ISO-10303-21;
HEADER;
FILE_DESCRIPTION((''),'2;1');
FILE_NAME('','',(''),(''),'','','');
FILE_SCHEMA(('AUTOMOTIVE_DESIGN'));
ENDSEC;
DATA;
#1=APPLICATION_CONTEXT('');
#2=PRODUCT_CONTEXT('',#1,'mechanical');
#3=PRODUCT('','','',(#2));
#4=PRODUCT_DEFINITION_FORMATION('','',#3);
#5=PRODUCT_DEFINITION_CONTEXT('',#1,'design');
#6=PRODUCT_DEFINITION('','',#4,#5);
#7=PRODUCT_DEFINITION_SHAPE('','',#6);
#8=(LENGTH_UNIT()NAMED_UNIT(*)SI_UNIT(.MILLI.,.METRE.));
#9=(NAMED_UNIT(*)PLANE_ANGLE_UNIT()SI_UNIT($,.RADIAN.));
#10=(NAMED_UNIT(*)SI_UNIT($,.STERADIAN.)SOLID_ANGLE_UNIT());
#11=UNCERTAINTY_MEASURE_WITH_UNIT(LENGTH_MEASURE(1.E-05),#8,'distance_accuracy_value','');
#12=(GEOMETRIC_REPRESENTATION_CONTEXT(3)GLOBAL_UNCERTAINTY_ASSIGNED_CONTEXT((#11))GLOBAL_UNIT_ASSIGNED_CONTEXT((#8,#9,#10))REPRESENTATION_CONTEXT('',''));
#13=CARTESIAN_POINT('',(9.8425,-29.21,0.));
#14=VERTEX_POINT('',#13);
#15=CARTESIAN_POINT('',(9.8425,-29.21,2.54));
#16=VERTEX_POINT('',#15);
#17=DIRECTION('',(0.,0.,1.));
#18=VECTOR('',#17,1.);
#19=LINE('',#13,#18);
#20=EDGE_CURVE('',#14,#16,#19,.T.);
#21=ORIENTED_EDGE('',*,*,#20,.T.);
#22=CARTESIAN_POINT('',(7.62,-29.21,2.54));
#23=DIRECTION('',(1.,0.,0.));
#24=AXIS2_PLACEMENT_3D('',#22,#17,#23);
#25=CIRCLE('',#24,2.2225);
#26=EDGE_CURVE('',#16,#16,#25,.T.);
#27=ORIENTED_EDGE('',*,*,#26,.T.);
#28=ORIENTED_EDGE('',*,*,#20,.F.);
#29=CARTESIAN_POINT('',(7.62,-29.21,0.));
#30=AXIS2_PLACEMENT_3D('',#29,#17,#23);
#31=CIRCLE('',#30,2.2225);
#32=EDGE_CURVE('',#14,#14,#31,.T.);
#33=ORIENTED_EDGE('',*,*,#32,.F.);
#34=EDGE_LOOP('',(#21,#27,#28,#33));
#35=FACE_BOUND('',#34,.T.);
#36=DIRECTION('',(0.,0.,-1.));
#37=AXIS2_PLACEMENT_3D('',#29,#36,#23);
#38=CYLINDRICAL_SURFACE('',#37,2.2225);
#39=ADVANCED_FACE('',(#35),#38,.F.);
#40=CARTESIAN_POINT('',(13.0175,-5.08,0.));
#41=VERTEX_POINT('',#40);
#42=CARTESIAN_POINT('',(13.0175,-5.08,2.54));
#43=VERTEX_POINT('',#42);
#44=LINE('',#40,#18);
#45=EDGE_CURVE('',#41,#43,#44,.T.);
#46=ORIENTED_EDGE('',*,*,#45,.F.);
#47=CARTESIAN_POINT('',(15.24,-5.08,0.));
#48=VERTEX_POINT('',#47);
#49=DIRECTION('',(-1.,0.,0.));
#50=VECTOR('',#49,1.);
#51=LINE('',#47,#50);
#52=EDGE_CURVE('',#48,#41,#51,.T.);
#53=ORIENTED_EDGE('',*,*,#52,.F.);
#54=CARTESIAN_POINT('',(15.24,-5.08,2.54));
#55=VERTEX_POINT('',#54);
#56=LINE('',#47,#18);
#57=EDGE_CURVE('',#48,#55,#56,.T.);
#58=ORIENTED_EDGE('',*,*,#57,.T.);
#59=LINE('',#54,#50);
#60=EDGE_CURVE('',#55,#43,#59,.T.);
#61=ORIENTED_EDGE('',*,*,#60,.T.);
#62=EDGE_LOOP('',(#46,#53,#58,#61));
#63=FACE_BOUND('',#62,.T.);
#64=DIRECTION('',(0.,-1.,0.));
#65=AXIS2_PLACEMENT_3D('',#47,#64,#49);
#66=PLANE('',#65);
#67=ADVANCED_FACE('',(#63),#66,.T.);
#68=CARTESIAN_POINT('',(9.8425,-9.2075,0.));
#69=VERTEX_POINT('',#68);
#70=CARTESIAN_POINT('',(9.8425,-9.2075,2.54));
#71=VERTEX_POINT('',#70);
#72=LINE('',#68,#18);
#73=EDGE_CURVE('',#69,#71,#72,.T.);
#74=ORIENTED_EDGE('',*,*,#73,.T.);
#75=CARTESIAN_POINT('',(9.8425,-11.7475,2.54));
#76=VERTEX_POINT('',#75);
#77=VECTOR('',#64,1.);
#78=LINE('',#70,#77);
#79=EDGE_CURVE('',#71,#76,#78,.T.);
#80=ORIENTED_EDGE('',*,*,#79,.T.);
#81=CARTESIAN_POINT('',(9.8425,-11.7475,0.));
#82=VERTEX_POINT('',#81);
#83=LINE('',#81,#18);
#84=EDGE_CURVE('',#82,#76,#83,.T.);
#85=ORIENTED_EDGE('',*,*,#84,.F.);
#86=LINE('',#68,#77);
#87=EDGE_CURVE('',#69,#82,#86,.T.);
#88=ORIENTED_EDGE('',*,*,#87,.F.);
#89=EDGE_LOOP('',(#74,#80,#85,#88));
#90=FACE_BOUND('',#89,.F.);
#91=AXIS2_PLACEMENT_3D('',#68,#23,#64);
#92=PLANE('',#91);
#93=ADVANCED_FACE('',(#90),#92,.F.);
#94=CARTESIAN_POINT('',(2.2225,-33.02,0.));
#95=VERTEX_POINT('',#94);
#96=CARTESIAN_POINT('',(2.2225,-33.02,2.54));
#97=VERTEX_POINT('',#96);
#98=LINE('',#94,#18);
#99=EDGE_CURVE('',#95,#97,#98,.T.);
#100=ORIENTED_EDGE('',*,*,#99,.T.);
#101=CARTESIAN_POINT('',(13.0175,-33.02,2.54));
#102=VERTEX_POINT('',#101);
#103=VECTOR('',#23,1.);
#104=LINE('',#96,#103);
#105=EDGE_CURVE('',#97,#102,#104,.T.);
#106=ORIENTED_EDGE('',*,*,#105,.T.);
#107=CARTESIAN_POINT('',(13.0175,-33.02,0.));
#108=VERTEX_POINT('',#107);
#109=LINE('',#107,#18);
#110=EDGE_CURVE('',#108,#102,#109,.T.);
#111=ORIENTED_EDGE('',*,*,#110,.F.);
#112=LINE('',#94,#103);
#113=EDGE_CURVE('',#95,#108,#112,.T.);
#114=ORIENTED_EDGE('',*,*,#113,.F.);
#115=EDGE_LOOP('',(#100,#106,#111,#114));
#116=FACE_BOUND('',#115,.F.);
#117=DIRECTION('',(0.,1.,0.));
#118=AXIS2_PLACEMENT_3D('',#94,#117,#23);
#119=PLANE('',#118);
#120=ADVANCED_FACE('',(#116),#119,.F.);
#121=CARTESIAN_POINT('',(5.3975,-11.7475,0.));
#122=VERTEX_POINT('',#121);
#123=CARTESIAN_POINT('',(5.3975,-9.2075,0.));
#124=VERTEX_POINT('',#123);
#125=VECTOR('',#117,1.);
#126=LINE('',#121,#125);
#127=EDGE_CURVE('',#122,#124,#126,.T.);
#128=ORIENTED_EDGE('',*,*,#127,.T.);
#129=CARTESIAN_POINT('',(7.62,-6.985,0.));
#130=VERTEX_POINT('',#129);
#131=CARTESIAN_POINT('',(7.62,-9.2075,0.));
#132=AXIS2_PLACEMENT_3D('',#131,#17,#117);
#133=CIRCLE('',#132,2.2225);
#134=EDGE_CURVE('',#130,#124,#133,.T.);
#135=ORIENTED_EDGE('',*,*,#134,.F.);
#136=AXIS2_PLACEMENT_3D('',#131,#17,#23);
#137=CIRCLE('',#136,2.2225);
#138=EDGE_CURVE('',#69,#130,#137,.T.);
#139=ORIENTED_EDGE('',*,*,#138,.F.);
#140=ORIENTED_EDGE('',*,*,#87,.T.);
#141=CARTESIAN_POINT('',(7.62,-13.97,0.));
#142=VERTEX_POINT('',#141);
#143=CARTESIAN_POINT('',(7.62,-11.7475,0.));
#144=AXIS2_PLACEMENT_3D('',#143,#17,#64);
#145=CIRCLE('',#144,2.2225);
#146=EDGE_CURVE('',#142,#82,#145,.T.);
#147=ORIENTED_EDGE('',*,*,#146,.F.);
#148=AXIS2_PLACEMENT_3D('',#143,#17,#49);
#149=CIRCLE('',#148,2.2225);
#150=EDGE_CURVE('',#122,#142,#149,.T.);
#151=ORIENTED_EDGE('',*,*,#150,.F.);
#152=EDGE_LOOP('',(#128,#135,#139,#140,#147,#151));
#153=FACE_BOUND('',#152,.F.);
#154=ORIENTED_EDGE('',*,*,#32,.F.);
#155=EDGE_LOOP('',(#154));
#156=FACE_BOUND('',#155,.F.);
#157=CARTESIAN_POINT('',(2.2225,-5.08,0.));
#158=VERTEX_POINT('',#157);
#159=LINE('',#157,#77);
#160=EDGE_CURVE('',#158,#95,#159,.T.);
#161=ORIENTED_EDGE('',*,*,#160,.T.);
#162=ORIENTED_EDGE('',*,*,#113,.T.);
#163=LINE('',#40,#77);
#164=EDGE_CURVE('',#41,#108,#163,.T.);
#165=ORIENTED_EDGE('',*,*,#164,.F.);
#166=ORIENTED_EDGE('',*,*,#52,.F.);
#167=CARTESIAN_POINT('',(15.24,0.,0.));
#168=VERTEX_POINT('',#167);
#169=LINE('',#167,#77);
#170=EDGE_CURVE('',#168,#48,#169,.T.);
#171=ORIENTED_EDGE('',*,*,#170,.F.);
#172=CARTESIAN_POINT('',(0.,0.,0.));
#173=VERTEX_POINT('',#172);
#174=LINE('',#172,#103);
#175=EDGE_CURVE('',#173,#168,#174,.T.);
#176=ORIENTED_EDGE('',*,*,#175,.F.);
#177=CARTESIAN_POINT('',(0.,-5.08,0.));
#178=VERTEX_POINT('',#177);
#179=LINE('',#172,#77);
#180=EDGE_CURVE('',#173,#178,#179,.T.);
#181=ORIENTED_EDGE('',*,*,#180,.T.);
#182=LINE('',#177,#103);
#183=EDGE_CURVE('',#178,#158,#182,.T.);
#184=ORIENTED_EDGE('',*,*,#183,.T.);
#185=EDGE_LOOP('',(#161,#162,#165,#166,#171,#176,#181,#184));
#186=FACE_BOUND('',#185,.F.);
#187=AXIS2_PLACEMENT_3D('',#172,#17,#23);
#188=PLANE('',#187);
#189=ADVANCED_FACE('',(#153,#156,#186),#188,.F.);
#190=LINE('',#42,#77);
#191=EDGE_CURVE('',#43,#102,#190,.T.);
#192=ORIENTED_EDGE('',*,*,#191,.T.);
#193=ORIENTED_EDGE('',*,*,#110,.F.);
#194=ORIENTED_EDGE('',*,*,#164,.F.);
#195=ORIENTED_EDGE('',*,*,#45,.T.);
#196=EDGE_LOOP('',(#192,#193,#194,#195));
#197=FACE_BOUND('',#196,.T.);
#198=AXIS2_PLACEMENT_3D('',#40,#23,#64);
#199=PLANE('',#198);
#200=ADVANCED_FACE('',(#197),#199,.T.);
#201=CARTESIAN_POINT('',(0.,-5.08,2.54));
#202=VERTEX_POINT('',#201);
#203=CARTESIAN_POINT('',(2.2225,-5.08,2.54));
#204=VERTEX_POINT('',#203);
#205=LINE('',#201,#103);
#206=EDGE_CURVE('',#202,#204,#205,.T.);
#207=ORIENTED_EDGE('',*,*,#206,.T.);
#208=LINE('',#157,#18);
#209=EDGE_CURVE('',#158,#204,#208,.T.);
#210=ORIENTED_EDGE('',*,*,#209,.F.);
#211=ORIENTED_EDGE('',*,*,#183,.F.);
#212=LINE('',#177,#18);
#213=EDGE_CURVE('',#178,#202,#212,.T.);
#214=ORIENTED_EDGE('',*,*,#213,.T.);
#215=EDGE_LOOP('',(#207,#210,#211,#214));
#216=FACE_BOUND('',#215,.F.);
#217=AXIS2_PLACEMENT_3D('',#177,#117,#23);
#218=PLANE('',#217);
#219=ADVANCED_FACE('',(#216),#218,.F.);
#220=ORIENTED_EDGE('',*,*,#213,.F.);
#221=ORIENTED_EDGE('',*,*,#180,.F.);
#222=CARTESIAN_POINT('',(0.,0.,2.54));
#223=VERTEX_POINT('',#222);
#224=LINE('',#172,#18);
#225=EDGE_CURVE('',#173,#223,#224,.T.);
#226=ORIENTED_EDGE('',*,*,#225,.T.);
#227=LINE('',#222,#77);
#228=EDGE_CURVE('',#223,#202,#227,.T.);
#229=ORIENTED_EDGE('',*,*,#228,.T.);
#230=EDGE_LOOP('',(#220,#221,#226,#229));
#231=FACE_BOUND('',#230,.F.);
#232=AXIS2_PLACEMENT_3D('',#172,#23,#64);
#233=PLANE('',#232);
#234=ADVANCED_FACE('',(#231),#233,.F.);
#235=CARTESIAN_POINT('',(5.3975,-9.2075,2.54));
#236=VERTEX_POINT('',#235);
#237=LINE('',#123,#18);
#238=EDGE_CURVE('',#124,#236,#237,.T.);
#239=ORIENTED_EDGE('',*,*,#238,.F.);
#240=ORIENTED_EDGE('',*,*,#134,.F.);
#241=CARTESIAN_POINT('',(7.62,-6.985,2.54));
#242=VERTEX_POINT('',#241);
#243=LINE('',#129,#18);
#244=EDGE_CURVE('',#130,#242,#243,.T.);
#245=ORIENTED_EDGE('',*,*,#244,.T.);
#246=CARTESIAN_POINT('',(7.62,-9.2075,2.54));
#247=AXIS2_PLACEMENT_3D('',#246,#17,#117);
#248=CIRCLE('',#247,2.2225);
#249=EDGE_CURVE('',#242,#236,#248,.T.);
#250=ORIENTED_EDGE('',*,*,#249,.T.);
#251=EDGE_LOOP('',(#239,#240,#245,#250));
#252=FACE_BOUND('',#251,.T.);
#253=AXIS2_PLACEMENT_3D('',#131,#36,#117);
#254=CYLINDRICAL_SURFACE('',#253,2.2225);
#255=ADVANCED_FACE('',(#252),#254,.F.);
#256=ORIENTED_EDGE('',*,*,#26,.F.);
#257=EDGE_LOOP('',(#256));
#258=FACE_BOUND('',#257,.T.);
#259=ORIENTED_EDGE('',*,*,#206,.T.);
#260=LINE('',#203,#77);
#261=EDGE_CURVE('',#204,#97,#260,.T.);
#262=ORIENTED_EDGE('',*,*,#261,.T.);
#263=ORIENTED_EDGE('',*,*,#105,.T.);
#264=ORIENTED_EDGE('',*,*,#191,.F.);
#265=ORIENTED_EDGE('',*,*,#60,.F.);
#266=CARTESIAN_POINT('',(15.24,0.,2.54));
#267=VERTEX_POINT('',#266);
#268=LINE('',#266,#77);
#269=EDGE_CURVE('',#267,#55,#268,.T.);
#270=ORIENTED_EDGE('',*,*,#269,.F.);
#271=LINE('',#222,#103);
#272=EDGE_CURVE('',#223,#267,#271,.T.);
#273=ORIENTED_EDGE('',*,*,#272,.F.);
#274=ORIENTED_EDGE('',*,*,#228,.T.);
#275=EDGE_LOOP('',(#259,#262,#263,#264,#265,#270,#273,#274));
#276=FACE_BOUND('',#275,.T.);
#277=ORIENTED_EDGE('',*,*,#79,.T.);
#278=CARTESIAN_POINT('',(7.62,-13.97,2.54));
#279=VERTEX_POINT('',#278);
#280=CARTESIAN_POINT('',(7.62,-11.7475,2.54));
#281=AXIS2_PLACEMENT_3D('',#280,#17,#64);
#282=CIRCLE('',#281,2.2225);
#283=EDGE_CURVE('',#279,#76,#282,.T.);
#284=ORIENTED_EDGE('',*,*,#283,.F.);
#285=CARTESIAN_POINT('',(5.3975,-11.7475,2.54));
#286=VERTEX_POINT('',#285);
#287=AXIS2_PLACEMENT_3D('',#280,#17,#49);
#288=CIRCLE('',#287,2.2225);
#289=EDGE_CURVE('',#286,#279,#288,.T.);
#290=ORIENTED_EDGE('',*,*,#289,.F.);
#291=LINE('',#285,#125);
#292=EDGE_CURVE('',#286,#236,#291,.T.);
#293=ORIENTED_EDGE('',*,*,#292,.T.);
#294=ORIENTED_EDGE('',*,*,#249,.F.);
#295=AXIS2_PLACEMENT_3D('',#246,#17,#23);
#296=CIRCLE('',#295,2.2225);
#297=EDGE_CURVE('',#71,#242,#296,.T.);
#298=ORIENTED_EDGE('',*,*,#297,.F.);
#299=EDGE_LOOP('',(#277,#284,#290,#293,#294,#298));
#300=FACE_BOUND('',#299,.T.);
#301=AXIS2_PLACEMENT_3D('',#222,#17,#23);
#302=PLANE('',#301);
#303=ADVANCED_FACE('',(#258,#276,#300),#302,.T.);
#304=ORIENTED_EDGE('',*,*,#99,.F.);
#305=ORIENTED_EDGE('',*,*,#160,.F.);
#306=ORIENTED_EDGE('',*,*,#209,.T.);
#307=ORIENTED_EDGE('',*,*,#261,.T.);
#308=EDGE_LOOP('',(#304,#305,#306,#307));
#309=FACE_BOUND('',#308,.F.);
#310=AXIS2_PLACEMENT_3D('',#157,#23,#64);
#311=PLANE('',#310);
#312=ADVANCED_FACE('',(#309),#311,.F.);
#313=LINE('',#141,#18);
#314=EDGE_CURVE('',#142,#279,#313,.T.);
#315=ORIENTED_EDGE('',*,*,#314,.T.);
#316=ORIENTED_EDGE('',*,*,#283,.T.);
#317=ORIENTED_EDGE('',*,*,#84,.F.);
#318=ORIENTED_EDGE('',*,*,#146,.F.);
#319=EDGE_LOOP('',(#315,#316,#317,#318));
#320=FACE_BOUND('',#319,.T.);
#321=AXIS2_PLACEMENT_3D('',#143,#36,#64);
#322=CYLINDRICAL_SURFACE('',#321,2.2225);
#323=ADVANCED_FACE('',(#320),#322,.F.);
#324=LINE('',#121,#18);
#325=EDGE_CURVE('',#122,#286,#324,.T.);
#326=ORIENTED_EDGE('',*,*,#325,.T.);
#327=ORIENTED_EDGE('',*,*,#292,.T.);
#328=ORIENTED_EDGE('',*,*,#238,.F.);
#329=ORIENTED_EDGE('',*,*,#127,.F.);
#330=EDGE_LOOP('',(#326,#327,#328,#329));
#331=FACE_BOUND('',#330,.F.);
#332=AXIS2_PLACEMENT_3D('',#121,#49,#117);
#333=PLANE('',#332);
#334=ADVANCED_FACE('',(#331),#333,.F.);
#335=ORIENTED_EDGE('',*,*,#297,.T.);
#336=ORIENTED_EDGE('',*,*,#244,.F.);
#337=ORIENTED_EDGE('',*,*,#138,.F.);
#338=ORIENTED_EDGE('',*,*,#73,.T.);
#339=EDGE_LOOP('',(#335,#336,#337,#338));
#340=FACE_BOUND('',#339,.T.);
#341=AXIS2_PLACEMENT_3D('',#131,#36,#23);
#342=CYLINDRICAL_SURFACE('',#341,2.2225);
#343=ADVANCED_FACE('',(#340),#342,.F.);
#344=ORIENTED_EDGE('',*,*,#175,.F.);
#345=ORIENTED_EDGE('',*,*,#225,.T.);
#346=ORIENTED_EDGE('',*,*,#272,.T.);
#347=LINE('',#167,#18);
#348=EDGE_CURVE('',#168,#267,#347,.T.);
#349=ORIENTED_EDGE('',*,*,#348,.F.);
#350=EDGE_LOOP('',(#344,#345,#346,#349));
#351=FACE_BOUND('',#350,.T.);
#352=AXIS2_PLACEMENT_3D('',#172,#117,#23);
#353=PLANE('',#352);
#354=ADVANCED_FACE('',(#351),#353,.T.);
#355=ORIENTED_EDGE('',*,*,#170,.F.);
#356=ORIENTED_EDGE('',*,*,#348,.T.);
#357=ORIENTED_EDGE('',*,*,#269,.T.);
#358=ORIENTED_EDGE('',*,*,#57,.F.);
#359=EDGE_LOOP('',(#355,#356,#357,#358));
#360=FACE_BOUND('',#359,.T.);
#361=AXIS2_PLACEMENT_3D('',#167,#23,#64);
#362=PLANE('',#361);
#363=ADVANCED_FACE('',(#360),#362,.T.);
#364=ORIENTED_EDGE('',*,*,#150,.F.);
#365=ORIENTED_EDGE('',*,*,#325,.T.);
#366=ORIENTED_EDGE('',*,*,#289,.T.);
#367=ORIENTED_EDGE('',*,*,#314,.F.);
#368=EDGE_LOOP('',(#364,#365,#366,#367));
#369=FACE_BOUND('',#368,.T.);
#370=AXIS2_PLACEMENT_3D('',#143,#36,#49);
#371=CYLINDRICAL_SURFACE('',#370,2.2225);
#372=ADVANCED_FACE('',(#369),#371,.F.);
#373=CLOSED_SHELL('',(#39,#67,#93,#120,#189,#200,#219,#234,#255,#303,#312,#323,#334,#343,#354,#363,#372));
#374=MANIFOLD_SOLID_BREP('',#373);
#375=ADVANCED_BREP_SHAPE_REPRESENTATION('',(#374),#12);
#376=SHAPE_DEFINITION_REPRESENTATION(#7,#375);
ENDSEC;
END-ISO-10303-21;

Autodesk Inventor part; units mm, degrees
ref_plane "YZ Plane" through (0, 0, 0) normal (1, 0, 0) x (0, 1, 0)
ref_plane "XZ Plane" through (0, 0, 0) normal (0, 1, 0) x (-1, 0, 0)
ref_plane "XY Plane" through (0, 0, 0) normal (0, 0, 1) x (1, 0, 0)
sketch "Sketch1" plane through (0, 0, 0) normal (0, 0, 1) x (1, 0, 0)
  line L0 (0, 0) -> (15.24, 0)
  line L1 (15.24, 0) -> (15.24, -5.08)
  line L2 (15.24, -5.08) -> (13.0175, -5.08)
  line L3 (13.0175, -5.08) -> (13.0175, -33.02)
  line L4 (0, 0) -> (0, -5.08)
  line L5 (0, -5.08) -> (2.2225, -5.08)
  line L6 (2.2225, -5.08) -> (2.2225, -33.02)
  line L7 (2.2225, -33.02) -> (13.0175, -33.02)
  circle A0 centre (7.62, -29.21) radius 2.2225
  line L8 (7.62, -6.985) -> (7.62, -6.985)
  line L9 (9.8425, -9.2075) -> (9.8425, -11.7475)
  line L10 (7.62, -13.97) -> (7.62, -13.97)
  line L11 (5.3975, -11.7475) -> (5.3975, -9.2075)
  arc A1 (9.8425, -9.2075) -> (7.62, -6.985) centre (7.62, -9.2075) ccw
  arc A2 (7.62, -6.985) -> (5.3975, -9.2075) centre (7.62, -9.2075) ccw
  arc A3 (5.3975, -11.7475) -> (7.62, -13.97) centre (7.62, -11.7475) ccw
  arc A4 (7.62, -13.97) -> (9.8425, -11.7475) centre (7.62, -11.7475) ccw
  point P0 (9.8425, -13.97)
  point P1 (9.8425, -6.985)
  dimension "d0" = 15.24
  dimension "d1" = 5.08
  dimension "d2" = 2.2225
  dimension "d3" = 27.94
  dimension "d4" = 2.2225
  dimension "d5" = 4.445
  dimension "d6" = 3.81
  dimension "d7" = 6.985
  dimension "d8" = 6.985
  dimension "d9" = 2.2225
extrude "Extrusion1" add sketch "Sketch1" along normal blind 2.54
properties part number "MotorMount" material "Polycarbonate, Clear"
